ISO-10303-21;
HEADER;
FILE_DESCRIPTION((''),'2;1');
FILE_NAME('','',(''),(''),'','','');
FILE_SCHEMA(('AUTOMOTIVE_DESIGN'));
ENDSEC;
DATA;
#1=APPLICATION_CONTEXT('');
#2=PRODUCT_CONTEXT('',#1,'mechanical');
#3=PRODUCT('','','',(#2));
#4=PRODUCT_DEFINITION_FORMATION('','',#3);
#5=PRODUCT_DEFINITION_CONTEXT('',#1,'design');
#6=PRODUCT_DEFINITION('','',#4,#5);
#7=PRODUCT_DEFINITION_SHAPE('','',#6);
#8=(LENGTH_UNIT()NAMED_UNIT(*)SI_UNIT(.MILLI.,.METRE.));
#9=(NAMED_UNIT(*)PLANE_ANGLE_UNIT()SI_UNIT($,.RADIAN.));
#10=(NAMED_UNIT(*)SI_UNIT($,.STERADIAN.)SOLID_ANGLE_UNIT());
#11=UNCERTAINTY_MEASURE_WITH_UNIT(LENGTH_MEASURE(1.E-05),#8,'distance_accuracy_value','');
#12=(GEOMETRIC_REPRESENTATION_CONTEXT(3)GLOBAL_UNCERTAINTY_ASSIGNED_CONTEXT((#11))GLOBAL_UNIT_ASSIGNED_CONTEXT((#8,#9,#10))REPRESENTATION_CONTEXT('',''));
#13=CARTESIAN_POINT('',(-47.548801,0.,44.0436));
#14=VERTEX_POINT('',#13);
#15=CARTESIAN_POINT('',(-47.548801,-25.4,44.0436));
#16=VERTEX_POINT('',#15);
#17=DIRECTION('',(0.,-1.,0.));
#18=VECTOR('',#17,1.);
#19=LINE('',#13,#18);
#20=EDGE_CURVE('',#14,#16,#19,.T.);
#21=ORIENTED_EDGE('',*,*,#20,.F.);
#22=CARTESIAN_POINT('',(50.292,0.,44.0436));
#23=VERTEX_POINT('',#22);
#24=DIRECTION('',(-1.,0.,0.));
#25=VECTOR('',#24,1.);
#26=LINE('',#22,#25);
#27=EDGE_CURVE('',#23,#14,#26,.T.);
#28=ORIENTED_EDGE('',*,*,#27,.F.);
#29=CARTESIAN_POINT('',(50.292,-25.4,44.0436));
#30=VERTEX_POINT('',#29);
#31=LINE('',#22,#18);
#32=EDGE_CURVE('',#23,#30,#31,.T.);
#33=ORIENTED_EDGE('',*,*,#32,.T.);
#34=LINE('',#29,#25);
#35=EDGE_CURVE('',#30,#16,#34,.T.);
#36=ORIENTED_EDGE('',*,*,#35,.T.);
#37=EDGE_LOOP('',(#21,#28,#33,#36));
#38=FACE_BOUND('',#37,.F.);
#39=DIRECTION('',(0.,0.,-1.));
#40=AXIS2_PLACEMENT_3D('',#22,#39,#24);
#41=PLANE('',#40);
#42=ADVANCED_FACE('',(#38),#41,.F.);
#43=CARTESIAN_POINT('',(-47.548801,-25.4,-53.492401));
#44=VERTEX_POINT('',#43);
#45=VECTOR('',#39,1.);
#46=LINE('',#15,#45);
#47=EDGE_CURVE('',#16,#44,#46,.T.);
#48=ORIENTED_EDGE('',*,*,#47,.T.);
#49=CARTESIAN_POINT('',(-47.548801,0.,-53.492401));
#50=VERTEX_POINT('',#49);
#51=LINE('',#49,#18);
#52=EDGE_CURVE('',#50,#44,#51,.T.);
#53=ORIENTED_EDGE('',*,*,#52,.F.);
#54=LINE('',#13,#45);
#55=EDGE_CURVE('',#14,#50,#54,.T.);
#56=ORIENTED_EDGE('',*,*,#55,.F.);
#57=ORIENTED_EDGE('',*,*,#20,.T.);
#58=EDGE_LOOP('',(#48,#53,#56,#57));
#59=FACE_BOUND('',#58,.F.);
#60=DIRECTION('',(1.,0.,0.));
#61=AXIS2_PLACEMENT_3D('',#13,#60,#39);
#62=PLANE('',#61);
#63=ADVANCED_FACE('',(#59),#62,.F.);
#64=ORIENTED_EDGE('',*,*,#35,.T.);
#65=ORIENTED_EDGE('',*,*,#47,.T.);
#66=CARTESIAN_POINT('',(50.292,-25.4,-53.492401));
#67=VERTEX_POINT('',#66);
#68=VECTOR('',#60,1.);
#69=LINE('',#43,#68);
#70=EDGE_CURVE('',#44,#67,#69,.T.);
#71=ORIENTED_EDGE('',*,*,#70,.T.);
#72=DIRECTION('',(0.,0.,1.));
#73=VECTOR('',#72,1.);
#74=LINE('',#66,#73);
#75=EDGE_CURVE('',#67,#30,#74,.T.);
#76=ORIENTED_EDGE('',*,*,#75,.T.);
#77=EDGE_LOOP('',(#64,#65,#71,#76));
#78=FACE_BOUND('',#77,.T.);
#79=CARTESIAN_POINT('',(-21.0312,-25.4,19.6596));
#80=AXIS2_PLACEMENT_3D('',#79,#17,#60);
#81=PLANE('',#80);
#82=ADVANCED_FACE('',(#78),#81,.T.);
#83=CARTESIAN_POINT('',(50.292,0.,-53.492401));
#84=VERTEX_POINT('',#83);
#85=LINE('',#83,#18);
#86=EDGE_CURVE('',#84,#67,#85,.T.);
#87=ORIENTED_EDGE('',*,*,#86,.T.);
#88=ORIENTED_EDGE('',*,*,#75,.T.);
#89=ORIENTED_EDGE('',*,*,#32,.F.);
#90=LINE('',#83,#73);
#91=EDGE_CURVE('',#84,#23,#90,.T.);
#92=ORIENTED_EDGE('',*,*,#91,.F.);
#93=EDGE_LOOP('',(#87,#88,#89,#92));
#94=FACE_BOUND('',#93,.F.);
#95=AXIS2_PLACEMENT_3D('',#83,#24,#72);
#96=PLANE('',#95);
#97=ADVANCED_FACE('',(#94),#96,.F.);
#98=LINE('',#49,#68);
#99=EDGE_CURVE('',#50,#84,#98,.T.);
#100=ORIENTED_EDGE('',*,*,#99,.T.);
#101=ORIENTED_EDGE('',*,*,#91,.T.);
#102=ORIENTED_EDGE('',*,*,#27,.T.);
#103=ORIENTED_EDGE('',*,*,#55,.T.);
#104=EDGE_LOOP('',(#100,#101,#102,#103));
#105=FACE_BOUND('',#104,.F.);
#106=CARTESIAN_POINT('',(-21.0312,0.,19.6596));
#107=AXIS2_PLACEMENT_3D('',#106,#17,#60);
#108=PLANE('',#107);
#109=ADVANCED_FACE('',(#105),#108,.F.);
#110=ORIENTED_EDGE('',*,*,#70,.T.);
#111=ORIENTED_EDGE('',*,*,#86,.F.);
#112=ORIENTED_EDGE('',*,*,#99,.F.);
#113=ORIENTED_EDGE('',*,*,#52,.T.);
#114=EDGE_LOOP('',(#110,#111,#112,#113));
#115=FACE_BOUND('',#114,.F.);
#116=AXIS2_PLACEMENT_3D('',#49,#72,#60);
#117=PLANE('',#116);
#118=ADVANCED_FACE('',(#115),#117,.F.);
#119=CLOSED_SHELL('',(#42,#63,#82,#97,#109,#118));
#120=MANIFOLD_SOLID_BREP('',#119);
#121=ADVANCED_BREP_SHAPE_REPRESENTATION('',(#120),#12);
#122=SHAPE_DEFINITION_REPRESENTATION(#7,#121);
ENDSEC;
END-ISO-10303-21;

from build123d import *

# Parameters (mm, degrees)
F0_W     = 53.035202
F0_H     = 48.768001
F0_W_2   = 44.805599
F1_DEPTH = 25.4


with BuildPart() as f1:
    # F0 (on Front) → F1 (new body)
    with BuildSketch(Plane.XZ):
        with Locations((-21.0312, 19.6596)):
            Rectangle(F0_W, F0_H)
        with Locations((27.8892, 19.6596)):
            Rectangle(F0_W_2, F0_H)
        with Locations((27.8892, -29.108401)):
            Rectangle(F0_W_2, F0_H)
        with Locations((-21.0312, -29.108401)):
            Rectangle(F0_W, F0_H)
    extrude(amount=F1_DEPTH)


solid = f1.part
